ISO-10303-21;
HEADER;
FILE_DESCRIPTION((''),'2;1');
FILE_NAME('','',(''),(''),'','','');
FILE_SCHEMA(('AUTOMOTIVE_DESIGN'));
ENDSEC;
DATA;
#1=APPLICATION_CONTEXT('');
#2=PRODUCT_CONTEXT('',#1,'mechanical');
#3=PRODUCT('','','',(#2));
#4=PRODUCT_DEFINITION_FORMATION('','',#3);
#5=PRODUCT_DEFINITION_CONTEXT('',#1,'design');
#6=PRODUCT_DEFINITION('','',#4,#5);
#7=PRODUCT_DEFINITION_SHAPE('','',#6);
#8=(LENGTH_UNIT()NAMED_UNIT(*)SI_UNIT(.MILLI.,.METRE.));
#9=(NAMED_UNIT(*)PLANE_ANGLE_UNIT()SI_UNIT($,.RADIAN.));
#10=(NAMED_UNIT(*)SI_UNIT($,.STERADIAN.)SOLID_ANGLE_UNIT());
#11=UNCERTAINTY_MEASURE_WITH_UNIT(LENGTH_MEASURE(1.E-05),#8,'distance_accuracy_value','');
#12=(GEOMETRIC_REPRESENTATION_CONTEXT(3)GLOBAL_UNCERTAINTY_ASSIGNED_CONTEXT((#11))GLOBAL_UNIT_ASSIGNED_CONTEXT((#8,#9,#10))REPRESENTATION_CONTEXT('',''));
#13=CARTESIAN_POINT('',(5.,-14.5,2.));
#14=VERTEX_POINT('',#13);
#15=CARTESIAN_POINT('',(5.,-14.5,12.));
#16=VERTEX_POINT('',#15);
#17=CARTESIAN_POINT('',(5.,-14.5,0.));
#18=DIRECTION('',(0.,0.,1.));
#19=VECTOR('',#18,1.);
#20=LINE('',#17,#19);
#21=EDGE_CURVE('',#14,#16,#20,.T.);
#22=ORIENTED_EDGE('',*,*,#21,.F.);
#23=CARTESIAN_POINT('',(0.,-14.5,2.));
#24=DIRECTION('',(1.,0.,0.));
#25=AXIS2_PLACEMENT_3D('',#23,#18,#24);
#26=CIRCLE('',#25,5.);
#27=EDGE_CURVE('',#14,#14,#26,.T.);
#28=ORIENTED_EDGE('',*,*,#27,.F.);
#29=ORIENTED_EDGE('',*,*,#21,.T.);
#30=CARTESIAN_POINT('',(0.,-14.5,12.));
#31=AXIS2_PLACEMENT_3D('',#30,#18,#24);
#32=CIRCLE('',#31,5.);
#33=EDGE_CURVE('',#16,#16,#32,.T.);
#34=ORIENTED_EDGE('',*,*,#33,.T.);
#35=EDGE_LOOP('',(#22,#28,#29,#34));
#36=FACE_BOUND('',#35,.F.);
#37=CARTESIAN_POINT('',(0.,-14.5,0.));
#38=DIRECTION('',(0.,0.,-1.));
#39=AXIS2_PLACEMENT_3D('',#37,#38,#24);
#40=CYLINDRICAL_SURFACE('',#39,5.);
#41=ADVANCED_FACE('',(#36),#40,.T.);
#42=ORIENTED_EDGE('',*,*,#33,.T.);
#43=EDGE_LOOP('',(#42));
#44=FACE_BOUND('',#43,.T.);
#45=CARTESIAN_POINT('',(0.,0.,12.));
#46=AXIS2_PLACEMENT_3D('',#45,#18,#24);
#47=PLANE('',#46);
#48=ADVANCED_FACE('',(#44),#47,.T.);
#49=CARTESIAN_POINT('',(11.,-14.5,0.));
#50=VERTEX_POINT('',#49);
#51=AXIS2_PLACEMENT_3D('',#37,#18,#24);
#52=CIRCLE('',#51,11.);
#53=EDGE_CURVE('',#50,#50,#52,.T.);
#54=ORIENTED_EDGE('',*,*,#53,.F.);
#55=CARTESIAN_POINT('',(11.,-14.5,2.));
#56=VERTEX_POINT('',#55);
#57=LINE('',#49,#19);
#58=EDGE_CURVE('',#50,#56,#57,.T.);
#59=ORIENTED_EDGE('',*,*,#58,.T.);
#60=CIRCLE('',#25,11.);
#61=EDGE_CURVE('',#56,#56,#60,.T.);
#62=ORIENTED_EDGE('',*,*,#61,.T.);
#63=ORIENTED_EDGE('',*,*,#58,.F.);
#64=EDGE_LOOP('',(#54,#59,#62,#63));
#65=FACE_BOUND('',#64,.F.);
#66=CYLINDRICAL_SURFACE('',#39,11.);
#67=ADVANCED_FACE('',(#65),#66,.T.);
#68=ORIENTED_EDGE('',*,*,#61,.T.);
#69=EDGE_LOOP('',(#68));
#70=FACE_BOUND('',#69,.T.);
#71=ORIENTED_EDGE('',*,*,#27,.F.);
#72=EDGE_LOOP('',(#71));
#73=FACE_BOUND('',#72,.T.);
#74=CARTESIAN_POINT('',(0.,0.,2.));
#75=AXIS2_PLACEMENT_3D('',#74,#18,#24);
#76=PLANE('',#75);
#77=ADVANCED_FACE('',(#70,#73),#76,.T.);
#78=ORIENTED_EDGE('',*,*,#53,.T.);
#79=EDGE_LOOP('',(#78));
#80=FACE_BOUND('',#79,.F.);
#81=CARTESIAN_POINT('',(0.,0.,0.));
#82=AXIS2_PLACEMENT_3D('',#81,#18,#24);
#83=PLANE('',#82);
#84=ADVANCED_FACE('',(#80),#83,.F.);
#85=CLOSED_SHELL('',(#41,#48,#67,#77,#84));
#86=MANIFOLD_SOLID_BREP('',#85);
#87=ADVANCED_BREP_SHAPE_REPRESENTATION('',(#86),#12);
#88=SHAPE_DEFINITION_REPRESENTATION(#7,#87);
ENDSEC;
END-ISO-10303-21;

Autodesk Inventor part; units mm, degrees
ref_plane "YZ Plane" through (0, 0, 0) normal (1, 0, 0) x (0, 1, 0)
ref_plane "XZ Plane" through (0, 0, 0) normal (0, 1, 0) x (-1, 0, 0)
ref_plane "XY Plane" through (0, 0, 0) normal (0, 0, 1) x (1, 0, 0)
sketch "Эскиз1" plane through (0, 0, 0) normal (0, 0, 1) x (1, 0, 0)
  arc A0 (8.9721, -40.2077) -> (-8.9721, -40.2077) centre (0, -39.5) ccw construction
  line L0 (8.9721, -40.2077) -> (11, -14.5) construction
  arc A1 (11, -14.5) -> (-11, -14.5) centre (0, -14.5) ccw construction
  line L1 (-11, -14.5) -> (-8.9721, -40.2077) construction
  circle A2 centre (0, -14.5) radius 5 construction
  circle A3 centre (0, -14.5) radius 11
  circle A4 centre (0, -14.5) radius 5
  point P0 (0, 0)
  dimension "d0" = 22
  dimension "d1" = 10
extrude "Выдавливание1" add sketch "Эскиз1" along normal blind 12 contours A4
sketch "Эскиз2" plane through (0, 0, 0) normal (0, 0, 1) x (1, 0, 0)
  circle A0 centre (0, -14.5) radius 5 projected
  circle A1 centre (0, -14.5) radius 11
  point P0 (0, 0)
  dimension "d4" = 22
extrude "Выдавливание2" add sketch "Эскиз2" along normal blind 2
properties part number "фланец"
